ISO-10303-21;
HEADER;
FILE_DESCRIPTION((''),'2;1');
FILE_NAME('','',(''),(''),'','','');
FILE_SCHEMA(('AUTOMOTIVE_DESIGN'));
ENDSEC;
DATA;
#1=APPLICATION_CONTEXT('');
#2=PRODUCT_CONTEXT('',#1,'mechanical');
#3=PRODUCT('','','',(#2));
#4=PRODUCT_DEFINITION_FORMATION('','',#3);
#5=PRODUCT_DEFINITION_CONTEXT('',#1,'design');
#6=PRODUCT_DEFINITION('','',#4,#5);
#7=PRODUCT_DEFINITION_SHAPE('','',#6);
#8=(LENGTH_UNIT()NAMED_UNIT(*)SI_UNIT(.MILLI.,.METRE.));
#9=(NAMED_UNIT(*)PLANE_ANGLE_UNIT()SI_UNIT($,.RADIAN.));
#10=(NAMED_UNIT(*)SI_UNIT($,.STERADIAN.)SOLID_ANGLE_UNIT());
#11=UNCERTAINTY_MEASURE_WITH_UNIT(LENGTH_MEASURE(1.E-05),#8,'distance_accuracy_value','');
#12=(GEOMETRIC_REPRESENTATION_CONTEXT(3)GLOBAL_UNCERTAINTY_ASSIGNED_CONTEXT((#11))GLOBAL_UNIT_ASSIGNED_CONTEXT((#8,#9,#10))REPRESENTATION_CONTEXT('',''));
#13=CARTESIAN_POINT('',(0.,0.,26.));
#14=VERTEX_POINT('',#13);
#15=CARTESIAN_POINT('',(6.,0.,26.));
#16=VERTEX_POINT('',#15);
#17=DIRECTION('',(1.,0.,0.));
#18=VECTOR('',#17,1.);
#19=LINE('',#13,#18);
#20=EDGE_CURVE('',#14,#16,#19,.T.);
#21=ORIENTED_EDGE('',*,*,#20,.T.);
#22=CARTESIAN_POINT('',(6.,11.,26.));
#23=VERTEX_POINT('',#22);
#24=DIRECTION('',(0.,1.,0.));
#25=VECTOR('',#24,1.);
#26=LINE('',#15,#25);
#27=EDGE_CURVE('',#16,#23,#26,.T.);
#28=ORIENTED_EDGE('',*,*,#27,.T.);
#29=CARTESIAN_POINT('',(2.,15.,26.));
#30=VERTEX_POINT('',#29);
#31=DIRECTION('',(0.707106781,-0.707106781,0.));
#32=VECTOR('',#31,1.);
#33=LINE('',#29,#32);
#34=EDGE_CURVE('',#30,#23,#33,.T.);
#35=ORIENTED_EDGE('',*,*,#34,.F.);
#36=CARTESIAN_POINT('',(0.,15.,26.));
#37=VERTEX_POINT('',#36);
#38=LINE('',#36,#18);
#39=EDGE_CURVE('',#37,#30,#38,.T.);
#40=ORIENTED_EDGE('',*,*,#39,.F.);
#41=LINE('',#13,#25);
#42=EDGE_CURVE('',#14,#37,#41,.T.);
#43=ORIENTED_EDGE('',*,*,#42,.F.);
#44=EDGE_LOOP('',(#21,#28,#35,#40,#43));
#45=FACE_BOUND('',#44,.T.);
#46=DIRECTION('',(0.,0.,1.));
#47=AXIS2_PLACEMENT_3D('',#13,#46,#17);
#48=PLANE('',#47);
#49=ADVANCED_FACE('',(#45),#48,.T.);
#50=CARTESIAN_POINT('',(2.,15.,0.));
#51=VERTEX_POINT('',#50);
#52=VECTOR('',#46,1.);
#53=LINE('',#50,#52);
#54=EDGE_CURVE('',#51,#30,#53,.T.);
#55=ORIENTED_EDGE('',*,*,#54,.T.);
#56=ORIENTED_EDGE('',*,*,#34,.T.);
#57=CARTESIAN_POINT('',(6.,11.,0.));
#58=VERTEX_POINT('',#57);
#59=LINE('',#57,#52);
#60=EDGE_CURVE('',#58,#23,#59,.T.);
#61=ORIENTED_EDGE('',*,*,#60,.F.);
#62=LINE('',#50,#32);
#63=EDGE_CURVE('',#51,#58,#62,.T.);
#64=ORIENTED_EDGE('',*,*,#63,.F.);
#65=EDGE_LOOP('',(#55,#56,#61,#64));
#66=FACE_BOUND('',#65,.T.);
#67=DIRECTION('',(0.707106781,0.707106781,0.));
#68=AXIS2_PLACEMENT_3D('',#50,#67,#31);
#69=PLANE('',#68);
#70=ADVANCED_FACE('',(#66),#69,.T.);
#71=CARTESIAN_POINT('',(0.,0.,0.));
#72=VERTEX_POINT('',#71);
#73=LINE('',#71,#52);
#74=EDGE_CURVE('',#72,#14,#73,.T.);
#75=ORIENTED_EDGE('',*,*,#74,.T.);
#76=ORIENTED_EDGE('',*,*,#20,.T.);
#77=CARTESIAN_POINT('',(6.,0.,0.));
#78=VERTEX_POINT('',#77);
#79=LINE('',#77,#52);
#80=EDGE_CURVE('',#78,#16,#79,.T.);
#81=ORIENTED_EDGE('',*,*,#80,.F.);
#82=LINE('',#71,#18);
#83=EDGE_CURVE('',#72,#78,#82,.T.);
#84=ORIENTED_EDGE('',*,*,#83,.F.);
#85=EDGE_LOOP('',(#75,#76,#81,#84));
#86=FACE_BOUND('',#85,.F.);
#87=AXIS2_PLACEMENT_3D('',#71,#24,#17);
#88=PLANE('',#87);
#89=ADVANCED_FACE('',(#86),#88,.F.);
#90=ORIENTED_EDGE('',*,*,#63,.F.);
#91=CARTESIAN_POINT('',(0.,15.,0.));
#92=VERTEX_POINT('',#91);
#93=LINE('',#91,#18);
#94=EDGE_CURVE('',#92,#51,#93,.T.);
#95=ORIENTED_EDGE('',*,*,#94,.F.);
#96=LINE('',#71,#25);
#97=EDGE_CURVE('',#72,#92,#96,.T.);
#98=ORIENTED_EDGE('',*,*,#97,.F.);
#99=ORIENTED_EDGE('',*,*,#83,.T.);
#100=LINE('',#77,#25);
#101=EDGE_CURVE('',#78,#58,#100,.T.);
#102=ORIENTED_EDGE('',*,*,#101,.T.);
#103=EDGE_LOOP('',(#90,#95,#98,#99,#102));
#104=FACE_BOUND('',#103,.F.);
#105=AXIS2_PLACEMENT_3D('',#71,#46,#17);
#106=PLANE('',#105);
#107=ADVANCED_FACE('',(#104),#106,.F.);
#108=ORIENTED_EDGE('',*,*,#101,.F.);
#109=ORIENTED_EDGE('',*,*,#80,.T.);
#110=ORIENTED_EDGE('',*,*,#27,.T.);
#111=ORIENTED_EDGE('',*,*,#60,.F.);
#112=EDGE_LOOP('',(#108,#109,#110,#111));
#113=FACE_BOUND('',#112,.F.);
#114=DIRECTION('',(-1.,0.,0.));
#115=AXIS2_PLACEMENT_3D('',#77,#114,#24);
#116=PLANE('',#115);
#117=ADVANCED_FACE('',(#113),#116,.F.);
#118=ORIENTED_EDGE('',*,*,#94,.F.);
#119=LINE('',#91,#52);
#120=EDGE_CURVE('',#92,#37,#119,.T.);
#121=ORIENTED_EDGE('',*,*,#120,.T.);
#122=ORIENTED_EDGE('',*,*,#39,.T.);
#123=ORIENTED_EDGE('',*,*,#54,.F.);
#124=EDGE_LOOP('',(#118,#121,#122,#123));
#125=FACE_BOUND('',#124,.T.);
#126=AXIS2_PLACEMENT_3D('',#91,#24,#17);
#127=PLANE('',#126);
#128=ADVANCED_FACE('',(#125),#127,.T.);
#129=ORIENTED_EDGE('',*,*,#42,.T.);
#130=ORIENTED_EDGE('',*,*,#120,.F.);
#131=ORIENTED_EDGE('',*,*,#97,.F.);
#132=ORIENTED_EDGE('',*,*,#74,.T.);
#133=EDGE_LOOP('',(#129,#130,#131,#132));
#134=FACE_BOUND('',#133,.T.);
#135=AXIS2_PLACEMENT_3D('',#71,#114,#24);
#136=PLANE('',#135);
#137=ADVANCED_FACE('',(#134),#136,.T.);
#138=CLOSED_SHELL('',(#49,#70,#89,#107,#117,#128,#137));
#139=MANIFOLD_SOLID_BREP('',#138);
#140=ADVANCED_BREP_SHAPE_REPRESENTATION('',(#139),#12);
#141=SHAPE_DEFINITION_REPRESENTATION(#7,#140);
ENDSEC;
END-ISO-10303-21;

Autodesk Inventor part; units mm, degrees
ref_plane "YZ Plane" through (0, 0, 0) normal (1, 0, 0) x (0, 1, 0)
ref_plane "XZ Plane" through (0, 0, 0) normal (0, 1, 0) x (-1, 0, 0)
ref_plane "XY Plane" through (0, 0, 0) normal (0, 0, 1) x (1, 0, 0)
sketch "Sketch1" plane through (0, 0, 0) normal (0, 0, 1) x (1, 0, 0)
  line L0 (0, 0) -> (6, 0)
  line L1 (6, 0) -> (6, 11)
  line L2 (0, 0) -> (0, 15)
  line L3 (0, 15) -> (2, 15)
  line L4 (2, 15) -> (6, 11)
  dimension "d0" = 6
  dimension "d1" = 11
  dimension "d2" = 15
  dimension "d3" = 2
extrude "Extrusion1" add sketch "Sketch1" along normal blind 26
properties part number "no-join"
